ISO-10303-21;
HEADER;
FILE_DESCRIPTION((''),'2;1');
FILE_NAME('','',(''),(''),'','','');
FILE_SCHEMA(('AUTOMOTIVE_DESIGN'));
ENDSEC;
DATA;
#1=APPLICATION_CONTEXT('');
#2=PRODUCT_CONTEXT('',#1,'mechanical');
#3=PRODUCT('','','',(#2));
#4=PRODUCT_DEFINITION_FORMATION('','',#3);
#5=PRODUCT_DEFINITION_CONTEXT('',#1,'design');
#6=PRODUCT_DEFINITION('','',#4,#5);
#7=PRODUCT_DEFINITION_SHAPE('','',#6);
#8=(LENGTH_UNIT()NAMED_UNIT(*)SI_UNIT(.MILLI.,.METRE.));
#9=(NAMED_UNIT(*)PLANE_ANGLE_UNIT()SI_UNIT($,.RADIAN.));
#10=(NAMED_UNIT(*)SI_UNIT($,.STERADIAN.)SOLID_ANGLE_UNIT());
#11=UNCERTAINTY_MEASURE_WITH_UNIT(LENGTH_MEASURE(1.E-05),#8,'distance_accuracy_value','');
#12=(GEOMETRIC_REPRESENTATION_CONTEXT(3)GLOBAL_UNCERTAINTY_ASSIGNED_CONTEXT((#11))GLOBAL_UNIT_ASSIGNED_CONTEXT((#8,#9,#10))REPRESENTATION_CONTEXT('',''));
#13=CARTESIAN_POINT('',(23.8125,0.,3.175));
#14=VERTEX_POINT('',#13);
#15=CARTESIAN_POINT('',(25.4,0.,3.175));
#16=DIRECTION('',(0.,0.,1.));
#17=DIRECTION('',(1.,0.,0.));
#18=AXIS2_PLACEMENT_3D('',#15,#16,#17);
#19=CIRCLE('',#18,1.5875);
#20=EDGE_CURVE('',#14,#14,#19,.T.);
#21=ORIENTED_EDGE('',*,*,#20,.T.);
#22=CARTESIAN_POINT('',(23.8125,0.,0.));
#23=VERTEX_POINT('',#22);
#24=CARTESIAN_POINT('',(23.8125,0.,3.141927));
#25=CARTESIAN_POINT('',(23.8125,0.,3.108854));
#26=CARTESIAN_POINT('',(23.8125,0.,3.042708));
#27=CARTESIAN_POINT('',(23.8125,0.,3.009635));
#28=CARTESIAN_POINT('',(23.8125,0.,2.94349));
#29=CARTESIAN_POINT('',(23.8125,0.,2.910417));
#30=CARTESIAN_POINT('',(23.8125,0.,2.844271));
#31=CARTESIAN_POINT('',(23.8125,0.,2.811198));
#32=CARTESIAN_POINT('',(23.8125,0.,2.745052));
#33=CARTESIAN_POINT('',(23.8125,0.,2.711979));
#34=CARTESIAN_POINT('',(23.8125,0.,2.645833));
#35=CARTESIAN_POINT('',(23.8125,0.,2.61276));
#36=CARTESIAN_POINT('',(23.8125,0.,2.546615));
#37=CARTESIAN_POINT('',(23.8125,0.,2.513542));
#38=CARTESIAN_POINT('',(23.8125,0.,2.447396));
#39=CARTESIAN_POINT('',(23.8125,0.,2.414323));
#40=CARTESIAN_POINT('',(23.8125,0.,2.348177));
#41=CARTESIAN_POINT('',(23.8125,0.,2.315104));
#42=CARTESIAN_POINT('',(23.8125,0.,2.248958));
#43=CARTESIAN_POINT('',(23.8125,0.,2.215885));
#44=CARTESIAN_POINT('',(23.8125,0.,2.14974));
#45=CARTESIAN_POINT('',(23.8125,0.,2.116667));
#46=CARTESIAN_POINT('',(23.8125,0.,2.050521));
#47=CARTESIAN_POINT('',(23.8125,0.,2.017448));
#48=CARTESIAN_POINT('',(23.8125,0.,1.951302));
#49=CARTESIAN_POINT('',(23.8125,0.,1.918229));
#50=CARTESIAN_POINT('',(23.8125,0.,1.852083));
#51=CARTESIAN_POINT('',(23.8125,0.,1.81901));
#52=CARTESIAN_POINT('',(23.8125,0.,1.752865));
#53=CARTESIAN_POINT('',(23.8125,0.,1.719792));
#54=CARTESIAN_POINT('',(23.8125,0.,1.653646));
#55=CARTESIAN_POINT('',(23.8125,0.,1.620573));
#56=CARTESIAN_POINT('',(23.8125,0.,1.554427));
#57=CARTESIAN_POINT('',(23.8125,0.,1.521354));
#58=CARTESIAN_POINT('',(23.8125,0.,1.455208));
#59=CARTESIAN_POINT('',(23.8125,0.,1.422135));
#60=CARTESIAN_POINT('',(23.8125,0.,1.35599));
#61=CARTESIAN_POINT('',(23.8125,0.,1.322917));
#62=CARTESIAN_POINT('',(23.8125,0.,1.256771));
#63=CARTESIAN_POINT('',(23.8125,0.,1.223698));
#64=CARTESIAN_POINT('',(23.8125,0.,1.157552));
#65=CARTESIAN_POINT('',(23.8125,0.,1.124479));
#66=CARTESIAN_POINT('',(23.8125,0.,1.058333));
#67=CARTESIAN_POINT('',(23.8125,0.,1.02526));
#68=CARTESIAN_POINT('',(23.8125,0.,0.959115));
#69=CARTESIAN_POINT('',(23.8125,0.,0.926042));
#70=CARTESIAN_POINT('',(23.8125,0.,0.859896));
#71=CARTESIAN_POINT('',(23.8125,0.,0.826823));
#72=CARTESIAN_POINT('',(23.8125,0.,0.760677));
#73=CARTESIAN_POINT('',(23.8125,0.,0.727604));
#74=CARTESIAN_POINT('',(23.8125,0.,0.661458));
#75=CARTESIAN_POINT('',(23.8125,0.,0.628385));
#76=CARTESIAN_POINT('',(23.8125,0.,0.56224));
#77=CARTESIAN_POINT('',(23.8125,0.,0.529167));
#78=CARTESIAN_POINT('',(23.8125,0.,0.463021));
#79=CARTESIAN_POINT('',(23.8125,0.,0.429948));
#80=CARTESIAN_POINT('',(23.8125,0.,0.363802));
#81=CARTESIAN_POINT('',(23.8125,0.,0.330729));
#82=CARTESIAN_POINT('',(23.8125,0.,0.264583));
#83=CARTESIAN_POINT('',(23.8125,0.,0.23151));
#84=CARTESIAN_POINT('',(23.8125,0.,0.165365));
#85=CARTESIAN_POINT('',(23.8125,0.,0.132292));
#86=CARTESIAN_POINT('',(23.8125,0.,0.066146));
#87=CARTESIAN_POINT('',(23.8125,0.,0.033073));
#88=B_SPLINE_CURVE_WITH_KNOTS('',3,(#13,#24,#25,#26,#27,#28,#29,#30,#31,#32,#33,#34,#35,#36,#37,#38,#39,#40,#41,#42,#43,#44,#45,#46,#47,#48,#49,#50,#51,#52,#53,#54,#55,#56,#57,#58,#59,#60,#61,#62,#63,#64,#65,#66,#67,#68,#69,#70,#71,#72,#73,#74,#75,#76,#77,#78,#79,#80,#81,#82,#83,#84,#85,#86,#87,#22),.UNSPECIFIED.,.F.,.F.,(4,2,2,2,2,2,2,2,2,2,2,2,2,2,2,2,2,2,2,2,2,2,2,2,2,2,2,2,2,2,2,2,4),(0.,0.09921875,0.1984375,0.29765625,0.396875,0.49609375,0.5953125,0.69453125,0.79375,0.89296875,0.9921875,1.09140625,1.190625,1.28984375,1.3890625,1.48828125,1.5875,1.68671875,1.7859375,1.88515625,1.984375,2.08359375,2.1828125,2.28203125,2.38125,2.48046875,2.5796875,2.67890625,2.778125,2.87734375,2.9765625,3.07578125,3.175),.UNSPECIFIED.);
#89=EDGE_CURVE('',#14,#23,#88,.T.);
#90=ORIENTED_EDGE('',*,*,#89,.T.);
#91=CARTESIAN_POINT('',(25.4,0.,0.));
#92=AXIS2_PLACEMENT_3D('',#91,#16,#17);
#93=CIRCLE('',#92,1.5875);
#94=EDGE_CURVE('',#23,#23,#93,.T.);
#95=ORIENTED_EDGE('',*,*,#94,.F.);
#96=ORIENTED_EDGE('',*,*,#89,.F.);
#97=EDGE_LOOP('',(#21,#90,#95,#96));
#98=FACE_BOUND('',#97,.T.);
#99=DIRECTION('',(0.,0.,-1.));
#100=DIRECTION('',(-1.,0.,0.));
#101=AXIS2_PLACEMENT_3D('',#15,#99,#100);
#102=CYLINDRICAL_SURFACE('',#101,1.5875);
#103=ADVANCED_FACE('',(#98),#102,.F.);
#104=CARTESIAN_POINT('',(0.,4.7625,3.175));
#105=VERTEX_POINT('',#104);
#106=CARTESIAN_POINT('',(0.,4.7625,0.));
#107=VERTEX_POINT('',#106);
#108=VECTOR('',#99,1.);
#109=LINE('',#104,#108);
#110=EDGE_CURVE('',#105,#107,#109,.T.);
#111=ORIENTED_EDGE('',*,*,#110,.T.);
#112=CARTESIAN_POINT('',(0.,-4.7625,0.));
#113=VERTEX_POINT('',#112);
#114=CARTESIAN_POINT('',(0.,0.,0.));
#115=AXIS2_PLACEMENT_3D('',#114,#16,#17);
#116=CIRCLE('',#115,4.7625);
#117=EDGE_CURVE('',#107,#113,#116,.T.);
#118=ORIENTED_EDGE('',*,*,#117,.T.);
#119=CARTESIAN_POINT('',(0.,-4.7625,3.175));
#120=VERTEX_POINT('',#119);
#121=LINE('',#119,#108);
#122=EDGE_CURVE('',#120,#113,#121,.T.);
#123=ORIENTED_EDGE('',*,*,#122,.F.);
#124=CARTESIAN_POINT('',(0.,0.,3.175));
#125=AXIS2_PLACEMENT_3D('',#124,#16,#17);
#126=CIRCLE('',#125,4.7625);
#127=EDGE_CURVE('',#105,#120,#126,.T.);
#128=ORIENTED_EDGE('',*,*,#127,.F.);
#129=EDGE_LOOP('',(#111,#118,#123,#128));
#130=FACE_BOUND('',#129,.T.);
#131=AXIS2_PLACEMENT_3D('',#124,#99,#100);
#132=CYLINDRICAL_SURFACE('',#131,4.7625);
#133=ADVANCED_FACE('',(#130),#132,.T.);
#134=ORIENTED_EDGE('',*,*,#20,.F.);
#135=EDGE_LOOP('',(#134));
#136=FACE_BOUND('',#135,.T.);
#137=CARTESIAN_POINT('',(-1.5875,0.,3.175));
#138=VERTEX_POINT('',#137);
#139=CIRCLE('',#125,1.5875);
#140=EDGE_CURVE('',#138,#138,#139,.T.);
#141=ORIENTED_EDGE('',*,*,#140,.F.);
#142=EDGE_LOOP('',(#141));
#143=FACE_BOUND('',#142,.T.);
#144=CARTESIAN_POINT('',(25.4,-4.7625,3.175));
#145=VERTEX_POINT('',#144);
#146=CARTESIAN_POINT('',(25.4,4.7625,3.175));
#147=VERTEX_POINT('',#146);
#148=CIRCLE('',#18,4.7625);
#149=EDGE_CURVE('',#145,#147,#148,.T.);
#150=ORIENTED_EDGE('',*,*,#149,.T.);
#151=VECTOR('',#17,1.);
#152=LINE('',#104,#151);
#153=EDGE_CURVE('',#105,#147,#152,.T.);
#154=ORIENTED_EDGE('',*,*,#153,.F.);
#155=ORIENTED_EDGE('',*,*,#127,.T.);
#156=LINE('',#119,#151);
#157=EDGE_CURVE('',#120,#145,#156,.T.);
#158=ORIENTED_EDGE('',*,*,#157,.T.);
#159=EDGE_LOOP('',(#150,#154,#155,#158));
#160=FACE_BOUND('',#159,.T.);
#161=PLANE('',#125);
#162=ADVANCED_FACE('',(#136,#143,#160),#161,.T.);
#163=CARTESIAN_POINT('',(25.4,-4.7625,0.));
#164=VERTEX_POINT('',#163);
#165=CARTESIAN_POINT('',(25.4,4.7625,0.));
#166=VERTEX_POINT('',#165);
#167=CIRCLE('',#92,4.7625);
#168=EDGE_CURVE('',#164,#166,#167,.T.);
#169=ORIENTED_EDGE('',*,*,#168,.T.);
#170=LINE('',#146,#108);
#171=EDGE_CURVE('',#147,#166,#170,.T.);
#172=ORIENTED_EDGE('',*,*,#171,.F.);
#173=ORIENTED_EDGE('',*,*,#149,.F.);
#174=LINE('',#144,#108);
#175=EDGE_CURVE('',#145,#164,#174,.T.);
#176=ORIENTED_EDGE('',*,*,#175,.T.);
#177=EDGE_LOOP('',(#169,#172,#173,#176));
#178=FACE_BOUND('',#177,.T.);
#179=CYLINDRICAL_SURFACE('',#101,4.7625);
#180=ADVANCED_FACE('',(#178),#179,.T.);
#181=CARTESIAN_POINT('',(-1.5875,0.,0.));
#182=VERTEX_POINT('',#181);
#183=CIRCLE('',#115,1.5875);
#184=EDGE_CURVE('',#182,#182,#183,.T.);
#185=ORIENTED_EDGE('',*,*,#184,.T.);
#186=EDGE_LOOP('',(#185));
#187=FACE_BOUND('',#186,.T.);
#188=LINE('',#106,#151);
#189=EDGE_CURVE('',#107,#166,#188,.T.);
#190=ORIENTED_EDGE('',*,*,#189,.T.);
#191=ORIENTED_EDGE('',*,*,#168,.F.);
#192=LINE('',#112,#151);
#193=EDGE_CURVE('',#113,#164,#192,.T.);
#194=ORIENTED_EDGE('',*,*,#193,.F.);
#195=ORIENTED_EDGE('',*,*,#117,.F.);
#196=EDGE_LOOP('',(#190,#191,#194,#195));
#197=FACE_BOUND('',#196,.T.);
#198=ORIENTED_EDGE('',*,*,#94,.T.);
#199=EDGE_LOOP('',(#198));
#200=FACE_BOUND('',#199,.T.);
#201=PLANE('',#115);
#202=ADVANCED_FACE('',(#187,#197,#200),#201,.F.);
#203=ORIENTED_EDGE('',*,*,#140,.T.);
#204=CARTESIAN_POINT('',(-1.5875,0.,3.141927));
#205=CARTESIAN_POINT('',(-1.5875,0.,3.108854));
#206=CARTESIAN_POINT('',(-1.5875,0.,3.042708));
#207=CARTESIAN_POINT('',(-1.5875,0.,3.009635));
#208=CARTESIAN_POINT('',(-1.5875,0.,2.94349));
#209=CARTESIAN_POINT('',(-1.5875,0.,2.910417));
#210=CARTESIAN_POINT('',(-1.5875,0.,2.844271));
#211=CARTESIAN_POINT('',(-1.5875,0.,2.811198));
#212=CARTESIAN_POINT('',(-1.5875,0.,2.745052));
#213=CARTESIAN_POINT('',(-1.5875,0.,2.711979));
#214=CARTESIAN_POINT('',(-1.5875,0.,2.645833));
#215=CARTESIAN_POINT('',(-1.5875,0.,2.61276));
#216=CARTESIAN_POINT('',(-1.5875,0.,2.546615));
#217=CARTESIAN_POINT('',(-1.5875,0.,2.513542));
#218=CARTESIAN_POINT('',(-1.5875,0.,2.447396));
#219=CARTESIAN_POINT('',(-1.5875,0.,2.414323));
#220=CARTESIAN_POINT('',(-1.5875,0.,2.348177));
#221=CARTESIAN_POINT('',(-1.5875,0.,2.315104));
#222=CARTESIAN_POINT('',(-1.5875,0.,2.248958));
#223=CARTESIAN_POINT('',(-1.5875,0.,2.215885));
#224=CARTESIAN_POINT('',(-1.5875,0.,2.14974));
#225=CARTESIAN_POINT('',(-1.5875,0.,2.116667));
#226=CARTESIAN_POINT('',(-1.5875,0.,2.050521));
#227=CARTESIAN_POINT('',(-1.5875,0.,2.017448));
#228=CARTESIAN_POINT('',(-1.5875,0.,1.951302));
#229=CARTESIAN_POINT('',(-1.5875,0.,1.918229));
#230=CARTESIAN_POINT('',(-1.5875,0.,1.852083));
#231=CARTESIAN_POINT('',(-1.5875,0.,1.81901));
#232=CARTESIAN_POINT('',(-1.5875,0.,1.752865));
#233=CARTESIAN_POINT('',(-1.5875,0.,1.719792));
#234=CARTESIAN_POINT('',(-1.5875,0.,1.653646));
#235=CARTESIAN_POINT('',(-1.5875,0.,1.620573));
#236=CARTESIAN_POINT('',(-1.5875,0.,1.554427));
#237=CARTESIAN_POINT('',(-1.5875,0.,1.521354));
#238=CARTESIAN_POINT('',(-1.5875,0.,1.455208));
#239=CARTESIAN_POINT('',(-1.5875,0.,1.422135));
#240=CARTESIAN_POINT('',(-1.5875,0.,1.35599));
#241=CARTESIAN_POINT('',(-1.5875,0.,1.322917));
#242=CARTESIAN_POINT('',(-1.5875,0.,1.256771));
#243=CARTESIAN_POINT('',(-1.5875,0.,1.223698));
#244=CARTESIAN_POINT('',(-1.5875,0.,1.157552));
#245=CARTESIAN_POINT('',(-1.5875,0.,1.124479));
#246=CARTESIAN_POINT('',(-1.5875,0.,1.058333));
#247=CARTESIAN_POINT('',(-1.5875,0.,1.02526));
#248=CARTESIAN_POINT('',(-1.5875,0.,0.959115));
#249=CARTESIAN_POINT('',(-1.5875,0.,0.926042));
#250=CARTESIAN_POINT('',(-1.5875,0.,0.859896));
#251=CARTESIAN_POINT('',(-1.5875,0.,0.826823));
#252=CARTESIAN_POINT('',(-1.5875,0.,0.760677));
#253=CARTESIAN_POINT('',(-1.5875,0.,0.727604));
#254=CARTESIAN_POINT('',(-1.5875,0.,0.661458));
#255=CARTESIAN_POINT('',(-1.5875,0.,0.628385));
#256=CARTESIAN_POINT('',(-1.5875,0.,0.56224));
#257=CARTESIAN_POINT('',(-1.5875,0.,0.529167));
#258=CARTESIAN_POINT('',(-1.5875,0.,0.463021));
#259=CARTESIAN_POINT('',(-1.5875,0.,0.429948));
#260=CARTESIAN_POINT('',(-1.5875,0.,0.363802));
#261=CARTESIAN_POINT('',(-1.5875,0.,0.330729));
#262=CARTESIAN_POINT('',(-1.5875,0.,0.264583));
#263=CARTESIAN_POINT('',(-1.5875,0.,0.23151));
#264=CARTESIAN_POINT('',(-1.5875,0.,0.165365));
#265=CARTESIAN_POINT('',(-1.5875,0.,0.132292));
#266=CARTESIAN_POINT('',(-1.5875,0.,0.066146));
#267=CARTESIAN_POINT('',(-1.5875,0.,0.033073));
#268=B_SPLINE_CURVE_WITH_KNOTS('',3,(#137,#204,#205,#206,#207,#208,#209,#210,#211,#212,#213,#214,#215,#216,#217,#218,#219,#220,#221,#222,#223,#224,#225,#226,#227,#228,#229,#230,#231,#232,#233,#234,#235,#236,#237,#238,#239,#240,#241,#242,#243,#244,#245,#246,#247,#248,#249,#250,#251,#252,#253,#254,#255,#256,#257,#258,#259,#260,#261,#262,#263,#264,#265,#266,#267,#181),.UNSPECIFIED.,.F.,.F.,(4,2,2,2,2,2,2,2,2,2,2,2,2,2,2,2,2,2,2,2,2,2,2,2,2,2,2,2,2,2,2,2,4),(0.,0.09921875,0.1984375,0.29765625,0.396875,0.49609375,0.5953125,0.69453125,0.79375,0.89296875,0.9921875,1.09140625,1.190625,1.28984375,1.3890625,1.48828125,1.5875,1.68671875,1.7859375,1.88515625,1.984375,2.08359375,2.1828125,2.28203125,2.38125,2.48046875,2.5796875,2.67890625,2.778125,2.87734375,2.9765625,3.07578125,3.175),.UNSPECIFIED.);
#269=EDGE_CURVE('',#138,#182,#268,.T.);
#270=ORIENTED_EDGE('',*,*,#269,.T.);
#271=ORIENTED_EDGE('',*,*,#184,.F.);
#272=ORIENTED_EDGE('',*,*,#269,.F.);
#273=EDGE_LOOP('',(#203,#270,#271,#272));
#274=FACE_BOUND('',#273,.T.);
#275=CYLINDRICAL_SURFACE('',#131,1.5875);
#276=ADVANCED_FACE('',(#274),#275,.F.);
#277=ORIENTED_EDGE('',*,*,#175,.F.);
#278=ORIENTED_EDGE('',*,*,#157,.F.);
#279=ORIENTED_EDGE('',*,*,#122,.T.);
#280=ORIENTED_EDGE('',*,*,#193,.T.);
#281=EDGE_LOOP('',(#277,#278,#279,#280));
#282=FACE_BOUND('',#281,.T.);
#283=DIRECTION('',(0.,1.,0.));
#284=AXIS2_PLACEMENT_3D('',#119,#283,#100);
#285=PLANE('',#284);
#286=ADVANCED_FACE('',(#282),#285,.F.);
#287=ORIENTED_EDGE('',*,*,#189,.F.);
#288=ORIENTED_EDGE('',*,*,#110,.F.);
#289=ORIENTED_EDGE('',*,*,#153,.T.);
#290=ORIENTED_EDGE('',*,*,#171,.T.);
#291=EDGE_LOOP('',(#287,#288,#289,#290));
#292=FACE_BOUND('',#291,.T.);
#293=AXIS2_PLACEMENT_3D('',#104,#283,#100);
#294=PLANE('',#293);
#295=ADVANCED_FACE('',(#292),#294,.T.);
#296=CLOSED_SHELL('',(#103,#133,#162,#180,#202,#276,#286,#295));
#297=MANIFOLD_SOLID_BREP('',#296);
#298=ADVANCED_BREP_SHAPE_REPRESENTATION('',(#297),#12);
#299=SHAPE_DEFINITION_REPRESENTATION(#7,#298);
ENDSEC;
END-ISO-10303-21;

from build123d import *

# Parameters (mm, degrees)
SKETCH1_R           = 4.7625
SKETCH1_R_2         = 1.5875
BOSS_EXTRUDE1_DEPTH = 3.175


with BuildPart() as part:
    # Sketch1 → Boss-Extrude1 (new body)
    # profile 1 of 3: a face of its own
    with BuildSketch(Plane.XY):
        with BuildLine():
            Line((25.4, 4.7625), (0, 4.7625))
            ThreePointArc((0, 4.7625), (3.367596045, 3.367596045), (4.7625, 0))
            ThreePointArc((4.7625, 0), (3.367596045, -3.367596045), (0, -4.7625))
            Line((0, -4.7625), (25.4, -4.7625))
            ThreePointArc((25.4, -4.7625), (20.6375, 0), (25.4, 4.7625))
        make_face()
    # profile 2 of 3: a face of its own
    with BuildSketch(Plane.XY):
        Circle(SKETCH1_R)
        with Locations(Location((0, 0, 0), (0, 0, 180))):
            Circle(SKETCH1_R_2, mode=Mode.SUBTRACT)
    # profile 3 of 3: a face of its own
    with BuildSketch(Plane.XY):
        with Locations((25.4, 0)):
            Circle(SKETCH1_R)
        with Locations(Location((25.4, 0, 0), (0, 0, 180))):
            Circle(SKETCH1_R_2, mode=Mode.SUBTRACT)
    extrude(amount=BOSS_EXTRUDE1_DEPTH)


solid = part.part
